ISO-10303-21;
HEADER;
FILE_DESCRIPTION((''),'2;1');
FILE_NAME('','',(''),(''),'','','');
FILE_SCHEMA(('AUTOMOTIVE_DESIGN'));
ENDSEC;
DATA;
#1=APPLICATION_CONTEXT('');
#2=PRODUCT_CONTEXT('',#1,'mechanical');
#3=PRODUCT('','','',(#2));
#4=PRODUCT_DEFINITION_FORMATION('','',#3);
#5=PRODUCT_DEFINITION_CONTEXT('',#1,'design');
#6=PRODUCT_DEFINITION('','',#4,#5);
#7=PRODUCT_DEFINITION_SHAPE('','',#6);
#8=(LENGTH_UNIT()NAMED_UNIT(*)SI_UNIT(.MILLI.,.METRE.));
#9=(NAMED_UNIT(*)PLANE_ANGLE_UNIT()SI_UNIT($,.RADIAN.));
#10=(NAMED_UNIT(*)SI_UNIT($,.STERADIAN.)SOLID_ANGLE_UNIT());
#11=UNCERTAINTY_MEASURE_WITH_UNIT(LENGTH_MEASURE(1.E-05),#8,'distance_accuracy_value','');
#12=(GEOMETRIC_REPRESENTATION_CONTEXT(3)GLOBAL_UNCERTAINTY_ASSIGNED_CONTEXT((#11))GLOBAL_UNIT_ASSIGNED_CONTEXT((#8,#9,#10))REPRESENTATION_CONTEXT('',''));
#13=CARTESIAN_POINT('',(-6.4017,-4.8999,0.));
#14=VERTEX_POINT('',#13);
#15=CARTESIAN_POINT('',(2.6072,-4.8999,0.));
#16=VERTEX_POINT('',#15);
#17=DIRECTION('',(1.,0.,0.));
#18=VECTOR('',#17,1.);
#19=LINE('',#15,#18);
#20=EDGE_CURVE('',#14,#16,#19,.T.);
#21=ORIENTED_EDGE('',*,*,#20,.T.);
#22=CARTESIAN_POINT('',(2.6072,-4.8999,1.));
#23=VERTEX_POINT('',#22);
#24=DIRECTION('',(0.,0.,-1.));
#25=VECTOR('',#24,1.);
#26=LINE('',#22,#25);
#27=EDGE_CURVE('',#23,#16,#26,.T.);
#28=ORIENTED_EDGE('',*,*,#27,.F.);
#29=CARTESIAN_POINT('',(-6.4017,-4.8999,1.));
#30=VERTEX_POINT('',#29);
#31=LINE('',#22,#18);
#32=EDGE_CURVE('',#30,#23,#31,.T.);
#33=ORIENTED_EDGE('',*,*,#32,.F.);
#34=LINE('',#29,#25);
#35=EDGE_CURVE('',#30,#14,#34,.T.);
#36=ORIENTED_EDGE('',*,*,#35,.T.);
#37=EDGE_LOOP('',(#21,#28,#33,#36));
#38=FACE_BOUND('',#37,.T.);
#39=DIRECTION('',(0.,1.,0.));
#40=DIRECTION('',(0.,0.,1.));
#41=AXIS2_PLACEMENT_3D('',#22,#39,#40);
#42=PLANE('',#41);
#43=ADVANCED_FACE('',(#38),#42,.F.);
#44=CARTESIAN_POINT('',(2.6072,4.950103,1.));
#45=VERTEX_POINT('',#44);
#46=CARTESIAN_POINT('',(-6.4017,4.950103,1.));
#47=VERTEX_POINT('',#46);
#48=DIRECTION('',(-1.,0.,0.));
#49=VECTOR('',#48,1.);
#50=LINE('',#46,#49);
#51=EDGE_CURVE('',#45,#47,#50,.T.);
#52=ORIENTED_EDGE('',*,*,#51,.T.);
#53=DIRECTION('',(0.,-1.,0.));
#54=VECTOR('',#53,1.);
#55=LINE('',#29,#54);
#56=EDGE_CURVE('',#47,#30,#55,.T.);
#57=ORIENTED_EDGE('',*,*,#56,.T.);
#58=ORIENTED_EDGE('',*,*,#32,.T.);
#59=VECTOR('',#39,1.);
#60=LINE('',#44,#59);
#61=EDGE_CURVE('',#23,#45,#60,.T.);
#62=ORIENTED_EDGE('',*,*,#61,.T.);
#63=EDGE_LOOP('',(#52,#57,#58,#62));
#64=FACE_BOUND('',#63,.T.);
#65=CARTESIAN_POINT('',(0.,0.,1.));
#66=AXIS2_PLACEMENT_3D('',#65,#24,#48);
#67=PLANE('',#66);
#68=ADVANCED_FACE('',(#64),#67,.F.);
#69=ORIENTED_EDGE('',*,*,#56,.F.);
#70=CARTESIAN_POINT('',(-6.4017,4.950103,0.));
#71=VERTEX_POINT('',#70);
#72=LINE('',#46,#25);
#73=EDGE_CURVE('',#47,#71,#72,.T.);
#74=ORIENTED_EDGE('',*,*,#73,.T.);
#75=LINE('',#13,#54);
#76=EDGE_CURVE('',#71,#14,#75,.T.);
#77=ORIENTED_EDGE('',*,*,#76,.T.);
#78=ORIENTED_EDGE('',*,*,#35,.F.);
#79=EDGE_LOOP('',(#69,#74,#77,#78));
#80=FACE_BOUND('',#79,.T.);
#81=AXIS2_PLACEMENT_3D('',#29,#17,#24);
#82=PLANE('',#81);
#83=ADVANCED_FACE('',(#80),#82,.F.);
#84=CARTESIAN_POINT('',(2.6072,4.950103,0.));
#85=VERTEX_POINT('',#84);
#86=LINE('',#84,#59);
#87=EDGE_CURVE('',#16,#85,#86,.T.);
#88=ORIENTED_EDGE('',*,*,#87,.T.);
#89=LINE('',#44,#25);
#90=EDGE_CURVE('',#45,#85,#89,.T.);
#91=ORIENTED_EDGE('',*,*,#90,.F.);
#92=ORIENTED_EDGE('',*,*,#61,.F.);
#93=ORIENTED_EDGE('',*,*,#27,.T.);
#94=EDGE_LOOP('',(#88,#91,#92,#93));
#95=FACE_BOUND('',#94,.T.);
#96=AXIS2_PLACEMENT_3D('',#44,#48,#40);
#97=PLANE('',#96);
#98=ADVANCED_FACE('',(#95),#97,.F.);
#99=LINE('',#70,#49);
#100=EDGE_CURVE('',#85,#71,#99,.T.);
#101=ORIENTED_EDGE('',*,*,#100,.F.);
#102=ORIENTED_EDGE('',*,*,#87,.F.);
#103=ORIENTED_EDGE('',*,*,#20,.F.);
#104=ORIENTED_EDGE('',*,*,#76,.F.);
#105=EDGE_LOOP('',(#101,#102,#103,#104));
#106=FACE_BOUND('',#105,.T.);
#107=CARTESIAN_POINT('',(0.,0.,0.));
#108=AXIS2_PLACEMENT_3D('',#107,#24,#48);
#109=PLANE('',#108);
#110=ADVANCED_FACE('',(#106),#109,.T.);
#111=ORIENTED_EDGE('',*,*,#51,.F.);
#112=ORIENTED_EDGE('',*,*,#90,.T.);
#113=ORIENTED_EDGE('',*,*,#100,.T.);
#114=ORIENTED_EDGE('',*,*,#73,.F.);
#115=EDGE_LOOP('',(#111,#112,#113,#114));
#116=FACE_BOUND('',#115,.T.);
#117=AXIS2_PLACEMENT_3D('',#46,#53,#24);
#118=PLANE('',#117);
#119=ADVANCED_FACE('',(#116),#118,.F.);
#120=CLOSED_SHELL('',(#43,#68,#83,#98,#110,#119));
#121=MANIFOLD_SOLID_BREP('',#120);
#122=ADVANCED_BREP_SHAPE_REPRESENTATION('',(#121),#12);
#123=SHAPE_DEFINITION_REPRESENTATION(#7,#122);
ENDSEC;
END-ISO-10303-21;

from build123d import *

# Parameters (mm, degrees)
SKIZZE1_W               = 9.0089
SKIZZE1_H               = 9.850003
COMPONENT_OUTLINE_DEPTH = 1


with BuildPart() as part:
    # Skizze1 → Component_Outline (new body)
    with BuildSketch(Plane.XY):
        with Locations((-1.89725, 0.0251015)):
            Rectangle(SKIZZE1_W, SKIZZE1_H)
    extrude(amount=COMPONENT_OUTLINE_DEPTH)


solid = part.part
